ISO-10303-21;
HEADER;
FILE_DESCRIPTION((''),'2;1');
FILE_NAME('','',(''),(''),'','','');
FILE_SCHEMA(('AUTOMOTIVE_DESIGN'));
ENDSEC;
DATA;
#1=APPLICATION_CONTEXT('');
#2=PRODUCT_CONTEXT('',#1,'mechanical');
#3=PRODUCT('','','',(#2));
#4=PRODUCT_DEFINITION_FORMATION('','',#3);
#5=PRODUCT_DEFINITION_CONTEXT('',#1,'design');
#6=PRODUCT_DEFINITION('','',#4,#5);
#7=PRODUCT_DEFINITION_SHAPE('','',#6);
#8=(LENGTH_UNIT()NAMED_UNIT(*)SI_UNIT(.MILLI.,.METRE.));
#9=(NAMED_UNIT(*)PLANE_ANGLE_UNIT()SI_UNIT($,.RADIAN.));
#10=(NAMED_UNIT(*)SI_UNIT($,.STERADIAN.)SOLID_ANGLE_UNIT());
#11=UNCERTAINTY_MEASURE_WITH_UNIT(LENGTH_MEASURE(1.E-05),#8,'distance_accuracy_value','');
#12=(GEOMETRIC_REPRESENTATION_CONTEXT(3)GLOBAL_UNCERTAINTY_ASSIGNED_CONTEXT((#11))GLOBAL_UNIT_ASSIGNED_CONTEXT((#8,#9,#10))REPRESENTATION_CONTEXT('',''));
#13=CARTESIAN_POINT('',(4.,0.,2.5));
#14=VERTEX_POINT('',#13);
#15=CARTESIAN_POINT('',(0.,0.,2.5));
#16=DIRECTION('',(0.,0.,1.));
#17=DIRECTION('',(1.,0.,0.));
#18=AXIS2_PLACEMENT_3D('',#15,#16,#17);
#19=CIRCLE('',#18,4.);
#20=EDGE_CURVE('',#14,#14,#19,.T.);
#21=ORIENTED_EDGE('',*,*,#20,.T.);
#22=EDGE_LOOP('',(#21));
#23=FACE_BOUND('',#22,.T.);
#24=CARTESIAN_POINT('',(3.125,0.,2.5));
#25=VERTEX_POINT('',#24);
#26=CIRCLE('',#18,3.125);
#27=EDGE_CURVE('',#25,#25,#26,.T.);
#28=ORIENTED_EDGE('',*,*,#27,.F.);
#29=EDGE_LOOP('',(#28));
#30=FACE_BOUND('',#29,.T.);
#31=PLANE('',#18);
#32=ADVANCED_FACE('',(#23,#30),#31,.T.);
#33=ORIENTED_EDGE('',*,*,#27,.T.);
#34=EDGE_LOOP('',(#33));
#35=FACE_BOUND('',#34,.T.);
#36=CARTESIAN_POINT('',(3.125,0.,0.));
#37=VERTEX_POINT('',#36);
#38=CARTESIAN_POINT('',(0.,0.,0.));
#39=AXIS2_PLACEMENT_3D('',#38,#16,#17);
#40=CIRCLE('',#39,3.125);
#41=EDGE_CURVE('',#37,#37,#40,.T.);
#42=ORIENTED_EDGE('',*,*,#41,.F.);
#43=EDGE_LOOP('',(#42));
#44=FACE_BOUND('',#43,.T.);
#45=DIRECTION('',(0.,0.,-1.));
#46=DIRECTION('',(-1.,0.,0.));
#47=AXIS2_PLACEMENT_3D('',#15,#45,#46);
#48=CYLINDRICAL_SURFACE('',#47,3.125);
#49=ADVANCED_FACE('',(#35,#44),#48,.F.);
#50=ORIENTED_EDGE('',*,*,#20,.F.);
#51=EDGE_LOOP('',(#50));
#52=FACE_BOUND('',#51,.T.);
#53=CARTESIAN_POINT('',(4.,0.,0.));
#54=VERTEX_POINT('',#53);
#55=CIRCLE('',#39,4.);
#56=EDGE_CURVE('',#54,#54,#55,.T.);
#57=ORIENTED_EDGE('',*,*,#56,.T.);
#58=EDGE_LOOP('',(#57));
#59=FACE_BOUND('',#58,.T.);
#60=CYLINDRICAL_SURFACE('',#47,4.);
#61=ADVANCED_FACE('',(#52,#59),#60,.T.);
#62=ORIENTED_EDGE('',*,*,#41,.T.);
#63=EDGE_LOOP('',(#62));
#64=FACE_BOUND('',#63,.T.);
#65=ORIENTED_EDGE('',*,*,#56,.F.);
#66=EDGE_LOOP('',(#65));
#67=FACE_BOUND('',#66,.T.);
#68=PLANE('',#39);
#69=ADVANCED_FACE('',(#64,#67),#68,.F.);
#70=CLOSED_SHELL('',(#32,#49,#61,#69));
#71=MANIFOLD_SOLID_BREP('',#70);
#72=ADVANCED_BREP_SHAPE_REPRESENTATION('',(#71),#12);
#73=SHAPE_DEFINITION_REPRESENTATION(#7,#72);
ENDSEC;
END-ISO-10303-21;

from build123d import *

# Parameters (mm, degrees)
SKETCH_1_R      = 4
SKETCH_1_R_2    = 3.125
EXTRUDE_1_DEPTH = 2.5


with BuildPart() as part:
    # 草图1 → 凸台-拉伸1 (new body)
    with BuildSketch(Plane.XY):
        Circle(SKETCH_1_R)
        Circle(SKETCH_1_R_2, mode=Mode.SUBTRACT)
    extrude(amount=EXTRUDE_1_DEPTH)


solid = part.part
